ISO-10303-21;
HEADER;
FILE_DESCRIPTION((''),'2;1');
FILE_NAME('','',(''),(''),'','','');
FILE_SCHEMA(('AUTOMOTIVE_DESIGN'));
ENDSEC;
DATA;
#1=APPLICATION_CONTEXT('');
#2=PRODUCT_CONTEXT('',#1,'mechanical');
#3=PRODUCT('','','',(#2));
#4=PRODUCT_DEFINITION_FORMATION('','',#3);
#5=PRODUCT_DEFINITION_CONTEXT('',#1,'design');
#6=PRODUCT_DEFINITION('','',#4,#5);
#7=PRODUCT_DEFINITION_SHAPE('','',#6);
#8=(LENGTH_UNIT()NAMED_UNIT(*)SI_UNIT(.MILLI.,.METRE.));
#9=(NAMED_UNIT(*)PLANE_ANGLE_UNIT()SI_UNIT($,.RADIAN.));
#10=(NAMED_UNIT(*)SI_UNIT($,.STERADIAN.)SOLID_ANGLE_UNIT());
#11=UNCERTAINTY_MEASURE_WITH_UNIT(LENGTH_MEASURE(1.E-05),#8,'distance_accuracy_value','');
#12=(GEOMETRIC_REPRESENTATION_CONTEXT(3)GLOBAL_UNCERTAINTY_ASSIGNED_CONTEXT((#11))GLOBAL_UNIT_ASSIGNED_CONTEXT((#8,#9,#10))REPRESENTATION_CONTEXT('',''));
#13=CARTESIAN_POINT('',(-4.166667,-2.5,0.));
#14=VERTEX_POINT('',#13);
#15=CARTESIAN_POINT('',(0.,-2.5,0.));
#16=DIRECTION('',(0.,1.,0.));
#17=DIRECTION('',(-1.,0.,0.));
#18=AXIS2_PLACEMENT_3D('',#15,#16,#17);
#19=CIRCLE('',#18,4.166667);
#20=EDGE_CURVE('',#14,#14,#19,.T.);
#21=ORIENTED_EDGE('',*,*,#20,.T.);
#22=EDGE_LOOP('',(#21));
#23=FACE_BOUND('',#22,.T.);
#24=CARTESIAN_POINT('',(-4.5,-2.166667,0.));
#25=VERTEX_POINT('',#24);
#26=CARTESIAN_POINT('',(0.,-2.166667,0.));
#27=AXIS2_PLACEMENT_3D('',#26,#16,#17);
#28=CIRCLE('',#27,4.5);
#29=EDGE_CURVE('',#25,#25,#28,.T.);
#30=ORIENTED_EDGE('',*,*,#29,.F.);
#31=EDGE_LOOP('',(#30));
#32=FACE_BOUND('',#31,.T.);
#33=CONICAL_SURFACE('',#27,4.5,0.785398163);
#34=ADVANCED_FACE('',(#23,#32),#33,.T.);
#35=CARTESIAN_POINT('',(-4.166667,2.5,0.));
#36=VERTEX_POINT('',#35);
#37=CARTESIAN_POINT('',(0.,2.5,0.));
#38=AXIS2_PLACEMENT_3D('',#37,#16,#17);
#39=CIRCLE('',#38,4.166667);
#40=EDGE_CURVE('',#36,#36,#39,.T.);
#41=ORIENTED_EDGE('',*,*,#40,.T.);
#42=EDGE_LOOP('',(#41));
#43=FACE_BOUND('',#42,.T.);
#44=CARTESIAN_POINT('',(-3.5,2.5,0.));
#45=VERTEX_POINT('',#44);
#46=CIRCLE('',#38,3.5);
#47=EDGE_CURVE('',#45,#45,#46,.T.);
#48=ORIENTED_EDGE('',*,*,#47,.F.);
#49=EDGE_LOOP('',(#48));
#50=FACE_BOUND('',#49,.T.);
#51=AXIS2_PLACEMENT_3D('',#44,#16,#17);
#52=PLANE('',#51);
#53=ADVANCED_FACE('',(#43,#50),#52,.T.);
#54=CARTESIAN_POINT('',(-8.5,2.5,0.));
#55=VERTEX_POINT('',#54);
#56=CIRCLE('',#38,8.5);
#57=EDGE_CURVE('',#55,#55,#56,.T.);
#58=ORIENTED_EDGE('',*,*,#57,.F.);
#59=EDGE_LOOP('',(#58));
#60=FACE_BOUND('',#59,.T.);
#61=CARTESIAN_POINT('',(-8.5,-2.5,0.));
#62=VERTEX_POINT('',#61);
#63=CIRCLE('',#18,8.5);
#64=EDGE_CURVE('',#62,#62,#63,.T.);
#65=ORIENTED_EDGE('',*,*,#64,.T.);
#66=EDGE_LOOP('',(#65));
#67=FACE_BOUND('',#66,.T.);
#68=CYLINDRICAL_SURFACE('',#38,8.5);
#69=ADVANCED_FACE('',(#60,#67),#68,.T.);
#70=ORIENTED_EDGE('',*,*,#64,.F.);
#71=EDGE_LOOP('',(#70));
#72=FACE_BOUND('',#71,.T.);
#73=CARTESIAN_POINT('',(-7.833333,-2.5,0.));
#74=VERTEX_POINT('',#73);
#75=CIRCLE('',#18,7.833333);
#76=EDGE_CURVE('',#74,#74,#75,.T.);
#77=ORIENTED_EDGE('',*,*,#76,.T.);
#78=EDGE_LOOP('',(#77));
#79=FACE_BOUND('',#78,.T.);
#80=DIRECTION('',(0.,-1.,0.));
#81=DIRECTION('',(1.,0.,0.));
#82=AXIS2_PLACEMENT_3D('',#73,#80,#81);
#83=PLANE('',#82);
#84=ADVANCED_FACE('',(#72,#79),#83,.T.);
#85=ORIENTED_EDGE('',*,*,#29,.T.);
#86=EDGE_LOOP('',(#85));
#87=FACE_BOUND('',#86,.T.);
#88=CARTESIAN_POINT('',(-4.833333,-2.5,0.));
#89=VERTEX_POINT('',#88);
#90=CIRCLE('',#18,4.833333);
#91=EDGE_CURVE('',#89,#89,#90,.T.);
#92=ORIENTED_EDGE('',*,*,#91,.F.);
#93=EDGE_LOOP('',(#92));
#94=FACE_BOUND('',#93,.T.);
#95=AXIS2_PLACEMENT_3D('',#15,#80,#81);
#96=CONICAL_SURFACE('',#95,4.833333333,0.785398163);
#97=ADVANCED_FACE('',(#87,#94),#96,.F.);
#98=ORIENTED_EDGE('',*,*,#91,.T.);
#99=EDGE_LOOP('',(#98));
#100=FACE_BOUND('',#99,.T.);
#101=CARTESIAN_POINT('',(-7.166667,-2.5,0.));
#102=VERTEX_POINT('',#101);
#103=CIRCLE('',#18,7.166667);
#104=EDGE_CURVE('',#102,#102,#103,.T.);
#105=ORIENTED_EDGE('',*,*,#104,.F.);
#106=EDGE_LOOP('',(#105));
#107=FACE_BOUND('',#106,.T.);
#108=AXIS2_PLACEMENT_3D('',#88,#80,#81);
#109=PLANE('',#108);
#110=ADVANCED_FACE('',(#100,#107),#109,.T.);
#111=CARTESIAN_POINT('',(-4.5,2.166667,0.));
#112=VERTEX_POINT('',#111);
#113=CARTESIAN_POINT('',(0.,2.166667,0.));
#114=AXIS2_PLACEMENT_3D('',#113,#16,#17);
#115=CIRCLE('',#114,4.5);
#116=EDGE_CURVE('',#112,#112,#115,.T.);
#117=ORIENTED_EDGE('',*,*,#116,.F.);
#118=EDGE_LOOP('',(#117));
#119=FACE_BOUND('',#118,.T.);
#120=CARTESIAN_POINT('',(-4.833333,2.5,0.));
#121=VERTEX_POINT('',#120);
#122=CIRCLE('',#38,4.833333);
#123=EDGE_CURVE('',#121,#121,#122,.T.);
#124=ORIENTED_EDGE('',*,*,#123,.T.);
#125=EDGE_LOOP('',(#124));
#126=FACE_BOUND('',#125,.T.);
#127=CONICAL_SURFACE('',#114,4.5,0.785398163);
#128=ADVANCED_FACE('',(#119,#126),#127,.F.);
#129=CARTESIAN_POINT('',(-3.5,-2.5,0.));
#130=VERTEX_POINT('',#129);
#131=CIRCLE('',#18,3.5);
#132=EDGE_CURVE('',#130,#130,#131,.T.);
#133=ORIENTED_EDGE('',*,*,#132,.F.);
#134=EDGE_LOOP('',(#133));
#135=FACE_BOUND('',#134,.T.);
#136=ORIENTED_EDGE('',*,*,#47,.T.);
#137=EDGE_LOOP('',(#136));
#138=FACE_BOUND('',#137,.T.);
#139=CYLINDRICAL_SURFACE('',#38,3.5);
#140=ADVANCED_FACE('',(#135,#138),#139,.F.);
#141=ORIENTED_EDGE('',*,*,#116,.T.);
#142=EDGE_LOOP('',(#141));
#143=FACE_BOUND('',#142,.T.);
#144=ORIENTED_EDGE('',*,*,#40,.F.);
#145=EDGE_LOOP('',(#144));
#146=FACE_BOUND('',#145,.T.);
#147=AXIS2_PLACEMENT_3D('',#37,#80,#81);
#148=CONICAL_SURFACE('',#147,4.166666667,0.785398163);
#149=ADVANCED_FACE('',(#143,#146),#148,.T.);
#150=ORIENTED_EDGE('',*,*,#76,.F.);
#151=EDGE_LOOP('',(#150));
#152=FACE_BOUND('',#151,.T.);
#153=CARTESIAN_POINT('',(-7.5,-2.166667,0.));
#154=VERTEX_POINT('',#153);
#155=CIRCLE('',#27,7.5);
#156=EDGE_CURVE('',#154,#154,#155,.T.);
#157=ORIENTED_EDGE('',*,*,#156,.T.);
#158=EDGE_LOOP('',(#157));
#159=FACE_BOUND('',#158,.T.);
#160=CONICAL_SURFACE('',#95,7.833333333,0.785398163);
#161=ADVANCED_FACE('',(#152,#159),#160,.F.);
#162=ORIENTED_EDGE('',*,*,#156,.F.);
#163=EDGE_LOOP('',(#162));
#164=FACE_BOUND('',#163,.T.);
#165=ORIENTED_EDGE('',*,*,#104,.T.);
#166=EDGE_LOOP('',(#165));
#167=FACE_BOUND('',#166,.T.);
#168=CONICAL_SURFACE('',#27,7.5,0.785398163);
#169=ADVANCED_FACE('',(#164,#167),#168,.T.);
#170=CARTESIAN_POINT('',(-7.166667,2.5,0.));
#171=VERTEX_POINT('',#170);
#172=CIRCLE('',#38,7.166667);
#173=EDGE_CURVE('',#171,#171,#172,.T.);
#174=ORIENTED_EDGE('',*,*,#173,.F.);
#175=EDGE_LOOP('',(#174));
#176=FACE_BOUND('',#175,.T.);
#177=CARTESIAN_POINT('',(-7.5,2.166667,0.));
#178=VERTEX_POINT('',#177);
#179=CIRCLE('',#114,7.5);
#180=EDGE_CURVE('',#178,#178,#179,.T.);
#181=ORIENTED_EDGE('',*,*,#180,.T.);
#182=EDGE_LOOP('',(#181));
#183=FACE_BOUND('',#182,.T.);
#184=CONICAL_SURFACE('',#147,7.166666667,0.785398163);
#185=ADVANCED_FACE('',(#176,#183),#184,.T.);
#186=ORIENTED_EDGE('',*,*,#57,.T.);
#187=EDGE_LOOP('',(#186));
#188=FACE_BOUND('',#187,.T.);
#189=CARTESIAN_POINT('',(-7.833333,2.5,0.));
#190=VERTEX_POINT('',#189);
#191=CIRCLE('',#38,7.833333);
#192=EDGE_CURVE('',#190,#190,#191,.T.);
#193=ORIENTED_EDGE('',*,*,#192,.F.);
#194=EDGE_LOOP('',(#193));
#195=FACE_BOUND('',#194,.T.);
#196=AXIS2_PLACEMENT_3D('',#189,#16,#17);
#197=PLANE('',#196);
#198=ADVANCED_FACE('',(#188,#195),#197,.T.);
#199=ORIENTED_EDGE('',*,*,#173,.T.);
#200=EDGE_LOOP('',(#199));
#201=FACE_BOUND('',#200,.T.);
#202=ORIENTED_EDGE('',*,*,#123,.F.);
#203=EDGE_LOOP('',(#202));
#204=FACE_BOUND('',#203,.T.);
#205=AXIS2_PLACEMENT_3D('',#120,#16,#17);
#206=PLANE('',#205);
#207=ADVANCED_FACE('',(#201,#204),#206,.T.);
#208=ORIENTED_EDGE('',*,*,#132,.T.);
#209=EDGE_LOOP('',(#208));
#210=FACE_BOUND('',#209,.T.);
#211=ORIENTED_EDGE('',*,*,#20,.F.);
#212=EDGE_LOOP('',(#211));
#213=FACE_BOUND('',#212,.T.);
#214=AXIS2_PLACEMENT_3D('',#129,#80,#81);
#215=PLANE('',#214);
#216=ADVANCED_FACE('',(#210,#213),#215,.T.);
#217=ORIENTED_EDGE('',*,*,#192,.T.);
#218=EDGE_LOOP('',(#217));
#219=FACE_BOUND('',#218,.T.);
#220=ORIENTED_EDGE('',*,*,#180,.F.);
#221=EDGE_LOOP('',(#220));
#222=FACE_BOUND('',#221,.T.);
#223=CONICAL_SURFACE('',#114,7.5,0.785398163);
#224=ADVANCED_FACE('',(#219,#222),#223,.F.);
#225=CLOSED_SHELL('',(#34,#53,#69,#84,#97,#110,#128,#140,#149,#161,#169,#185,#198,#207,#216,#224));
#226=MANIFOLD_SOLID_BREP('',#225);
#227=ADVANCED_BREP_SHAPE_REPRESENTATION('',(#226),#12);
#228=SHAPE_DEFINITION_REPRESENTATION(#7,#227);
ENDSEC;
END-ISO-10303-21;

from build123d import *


with BuildPart() as part:
    # Sketch1 → Revolve1 (revolve)
    with BuildSketch(Plane.XY):
        Polygon((-3.5, 2.5), (-4.166666667, 2.5), (-4.5, 2.166666667), (-4.833333333, 2.5), (-7.166666667, 2.5), (-7.5, 2.166666667), (-7.833333333, 2.5), (-8.5, 2.5), (-8.5, -2.5), (-7.833333333, -2.5), (-7.5, -2.166666667), (-7.166666667, -2.5), (-4.833333333, -2.5), (-4.5, -2.166666667), (-4.166666667, -2.5), (-3.5, -2.5), align=None)
    revolve(axis=Axis((0, 2.5, 0), (0, -1, 0)))


solid = part.part
